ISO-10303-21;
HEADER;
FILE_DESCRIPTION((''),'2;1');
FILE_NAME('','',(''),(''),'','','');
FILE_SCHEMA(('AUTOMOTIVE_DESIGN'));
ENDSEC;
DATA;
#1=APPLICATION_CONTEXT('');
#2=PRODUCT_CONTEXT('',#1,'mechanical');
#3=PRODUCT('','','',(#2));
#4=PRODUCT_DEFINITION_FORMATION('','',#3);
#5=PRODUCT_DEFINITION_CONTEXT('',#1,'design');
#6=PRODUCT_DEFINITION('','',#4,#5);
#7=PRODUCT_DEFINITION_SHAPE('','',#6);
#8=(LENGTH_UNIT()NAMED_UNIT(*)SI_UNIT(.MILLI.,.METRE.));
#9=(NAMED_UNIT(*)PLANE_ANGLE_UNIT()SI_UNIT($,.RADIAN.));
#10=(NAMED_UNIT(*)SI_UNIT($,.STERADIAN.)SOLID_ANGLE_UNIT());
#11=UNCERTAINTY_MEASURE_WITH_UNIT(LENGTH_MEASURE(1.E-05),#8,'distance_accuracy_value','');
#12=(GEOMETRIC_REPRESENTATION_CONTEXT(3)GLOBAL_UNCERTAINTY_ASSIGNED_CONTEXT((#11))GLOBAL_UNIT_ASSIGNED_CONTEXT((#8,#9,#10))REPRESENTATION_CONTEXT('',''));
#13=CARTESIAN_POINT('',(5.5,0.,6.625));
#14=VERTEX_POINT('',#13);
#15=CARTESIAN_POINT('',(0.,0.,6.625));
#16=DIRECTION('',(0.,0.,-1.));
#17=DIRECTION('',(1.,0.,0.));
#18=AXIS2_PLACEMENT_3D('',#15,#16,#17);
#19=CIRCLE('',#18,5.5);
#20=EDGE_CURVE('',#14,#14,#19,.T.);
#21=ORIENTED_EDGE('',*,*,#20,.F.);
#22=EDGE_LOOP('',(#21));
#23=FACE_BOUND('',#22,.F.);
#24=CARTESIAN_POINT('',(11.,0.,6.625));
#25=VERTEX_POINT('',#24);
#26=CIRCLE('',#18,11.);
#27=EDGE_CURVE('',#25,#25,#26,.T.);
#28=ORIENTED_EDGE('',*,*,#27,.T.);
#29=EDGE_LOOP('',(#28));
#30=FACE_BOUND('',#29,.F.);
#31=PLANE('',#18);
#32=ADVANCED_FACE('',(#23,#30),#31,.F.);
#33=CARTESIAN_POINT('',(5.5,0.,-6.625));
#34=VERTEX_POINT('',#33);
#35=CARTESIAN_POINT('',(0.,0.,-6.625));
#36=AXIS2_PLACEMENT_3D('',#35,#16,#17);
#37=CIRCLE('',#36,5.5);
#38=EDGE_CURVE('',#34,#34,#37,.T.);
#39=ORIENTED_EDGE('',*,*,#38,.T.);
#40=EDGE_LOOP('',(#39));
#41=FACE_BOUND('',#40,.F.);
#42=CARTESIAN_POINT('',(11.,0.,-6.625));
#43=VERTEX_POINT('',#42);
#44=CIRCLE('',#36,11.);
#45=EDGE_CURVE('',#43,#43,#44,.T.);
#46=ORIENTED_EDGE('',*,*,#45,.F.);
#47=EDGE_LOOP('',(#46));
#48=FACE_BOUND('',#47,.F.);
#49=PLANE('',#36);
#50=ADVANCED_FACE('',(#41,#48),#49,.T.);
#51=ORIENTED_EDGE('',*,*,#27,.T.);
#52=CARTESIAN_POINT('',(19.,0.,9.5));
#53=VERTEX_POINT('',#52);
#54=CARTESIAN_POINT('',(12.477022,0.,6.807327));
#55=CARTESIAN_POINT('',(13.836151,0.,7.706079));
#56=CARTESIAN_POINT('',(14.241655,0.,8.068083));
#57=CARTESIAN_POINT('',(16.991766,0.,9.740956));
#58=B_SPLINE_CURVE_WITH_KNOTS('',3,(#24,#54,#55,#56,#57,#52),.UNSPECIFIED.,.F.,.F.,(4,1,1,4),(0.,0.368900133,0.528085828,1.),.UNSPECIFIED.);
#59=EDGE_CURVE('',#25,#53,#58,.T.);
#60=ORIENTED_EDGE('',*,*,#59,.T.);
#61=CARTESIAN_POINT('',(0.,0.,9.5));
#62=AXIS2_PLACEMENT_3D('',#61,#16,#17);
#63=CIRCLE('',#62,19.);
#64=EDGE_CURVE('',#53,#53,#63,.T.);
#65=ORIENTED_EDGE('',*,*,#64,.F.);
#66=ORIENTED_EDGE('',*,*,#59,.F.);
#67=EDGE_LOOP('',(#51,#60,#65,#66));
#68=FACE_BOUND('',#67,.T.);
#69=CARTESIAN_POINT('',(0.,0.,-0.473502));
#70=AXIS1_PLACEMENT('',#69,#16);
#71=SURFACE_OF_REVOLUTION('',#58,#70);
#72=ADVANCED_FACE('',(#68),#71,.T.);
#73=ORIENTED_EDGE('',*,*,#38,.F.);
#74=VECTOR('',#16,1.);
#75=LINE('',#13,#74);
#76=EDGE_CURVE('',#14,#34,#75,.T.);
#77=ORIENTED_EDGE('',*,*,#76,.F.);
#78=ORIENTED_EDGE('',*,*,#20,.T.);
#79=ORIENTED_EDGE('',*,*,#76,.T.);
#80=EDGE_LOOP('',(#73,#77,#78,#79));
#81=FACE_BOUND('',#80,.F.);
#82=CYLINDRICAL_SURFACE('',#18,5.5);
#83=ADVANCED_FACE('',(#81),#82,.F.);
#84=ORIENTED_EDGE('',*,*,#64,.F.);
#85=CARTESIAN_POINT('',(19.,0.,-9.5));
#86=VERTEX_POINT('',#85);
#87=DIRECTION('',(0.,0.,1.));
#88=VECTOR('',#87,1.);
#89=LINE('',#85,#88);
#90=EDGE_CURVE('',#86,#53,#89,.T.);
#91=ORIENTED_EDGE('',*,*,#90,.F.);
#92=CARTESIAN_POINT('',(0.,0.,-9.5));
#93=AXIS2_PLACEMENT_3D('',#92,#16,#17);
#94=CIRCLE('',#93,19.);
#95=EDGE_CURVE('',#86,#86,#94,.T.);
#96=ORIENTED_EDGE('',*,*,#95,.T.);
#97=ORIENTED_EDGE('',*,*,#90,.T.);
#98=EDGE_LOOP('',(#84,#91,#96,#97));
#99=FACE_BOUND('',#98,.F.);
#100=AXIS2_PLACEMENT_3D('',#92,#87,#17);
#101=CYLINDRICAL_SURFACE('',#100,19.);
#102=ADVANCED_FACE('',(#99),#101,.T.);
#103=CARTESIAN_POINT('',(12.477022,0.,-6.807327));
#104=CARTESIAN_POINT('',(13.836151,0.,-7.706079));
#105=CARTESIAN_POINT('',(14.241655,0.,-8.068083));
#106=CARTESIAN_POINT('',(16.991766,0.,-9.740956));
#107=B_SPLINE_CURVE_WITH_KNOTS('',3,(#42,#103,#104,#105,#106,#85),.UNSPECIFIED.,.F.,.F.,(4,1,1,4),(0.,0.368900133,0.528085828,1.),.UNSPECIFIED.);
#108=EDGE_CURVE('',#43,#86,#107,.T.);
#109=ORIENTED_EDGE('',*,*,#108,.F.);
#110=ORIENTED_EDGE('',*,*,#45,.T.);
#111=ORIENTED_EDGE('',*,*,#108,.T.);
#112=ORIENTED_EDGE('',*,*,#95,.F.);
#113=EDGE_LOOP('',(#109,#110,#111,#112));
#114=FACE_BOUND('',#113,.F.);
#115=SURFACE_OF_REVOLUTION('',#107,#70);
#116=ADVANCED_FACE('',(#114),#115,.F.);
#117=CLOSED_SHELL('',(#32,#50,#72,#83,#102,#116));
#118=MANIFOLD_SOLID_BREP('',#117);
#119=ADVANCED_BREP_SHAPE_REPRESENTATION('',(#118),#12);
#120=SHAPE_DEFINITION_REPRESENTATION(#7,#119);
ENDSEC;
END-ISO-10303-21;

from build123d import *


with BuildPart() as f1:
    # F0 (on Front) → F1 (revolve)
    with BuildSketch(Plane.XZ):
        with BuildLine():
            Line((11, 6.625), (5.5, 6.625))
            Line((5.5, 6.625), (5.5, -6.625))
            Line((5.5, -6.625), (11, -6.625))
            add(Edge.make_bspline(
                [(11, -6.625), (12.4770218782, -6.8073266533), (13.8361511082, -7.7060788567), (14.2416545495, -8.0680834721), (16.9917661697, -9.7409561276), (19, -9.5)],
                knots=[0, 0, 0, 0, 0.3689001328, 0.5280858278, 1, 1, 1, 1], degree=3))
            Line((19, -9.5), (19, 9.5))
            add(Edge.make_bspline(
                [(11, 6.625), (12.4770218782, 6.8073266533), (13.8361511082, 7.7060788567), (14.2416545495, 8.0680834721), (16.9917661697, 9.7409561276), (19, 9.5)],
                knots=[0, 0, 0, 0, 0.3689001328, 0.5280858278, 1, 1, 1, 1], degree=3))
        make_face()
    revolve(axis=Axis((0, 0, -0.4735022907), (0, 0, -1)))


solid = f1.part
